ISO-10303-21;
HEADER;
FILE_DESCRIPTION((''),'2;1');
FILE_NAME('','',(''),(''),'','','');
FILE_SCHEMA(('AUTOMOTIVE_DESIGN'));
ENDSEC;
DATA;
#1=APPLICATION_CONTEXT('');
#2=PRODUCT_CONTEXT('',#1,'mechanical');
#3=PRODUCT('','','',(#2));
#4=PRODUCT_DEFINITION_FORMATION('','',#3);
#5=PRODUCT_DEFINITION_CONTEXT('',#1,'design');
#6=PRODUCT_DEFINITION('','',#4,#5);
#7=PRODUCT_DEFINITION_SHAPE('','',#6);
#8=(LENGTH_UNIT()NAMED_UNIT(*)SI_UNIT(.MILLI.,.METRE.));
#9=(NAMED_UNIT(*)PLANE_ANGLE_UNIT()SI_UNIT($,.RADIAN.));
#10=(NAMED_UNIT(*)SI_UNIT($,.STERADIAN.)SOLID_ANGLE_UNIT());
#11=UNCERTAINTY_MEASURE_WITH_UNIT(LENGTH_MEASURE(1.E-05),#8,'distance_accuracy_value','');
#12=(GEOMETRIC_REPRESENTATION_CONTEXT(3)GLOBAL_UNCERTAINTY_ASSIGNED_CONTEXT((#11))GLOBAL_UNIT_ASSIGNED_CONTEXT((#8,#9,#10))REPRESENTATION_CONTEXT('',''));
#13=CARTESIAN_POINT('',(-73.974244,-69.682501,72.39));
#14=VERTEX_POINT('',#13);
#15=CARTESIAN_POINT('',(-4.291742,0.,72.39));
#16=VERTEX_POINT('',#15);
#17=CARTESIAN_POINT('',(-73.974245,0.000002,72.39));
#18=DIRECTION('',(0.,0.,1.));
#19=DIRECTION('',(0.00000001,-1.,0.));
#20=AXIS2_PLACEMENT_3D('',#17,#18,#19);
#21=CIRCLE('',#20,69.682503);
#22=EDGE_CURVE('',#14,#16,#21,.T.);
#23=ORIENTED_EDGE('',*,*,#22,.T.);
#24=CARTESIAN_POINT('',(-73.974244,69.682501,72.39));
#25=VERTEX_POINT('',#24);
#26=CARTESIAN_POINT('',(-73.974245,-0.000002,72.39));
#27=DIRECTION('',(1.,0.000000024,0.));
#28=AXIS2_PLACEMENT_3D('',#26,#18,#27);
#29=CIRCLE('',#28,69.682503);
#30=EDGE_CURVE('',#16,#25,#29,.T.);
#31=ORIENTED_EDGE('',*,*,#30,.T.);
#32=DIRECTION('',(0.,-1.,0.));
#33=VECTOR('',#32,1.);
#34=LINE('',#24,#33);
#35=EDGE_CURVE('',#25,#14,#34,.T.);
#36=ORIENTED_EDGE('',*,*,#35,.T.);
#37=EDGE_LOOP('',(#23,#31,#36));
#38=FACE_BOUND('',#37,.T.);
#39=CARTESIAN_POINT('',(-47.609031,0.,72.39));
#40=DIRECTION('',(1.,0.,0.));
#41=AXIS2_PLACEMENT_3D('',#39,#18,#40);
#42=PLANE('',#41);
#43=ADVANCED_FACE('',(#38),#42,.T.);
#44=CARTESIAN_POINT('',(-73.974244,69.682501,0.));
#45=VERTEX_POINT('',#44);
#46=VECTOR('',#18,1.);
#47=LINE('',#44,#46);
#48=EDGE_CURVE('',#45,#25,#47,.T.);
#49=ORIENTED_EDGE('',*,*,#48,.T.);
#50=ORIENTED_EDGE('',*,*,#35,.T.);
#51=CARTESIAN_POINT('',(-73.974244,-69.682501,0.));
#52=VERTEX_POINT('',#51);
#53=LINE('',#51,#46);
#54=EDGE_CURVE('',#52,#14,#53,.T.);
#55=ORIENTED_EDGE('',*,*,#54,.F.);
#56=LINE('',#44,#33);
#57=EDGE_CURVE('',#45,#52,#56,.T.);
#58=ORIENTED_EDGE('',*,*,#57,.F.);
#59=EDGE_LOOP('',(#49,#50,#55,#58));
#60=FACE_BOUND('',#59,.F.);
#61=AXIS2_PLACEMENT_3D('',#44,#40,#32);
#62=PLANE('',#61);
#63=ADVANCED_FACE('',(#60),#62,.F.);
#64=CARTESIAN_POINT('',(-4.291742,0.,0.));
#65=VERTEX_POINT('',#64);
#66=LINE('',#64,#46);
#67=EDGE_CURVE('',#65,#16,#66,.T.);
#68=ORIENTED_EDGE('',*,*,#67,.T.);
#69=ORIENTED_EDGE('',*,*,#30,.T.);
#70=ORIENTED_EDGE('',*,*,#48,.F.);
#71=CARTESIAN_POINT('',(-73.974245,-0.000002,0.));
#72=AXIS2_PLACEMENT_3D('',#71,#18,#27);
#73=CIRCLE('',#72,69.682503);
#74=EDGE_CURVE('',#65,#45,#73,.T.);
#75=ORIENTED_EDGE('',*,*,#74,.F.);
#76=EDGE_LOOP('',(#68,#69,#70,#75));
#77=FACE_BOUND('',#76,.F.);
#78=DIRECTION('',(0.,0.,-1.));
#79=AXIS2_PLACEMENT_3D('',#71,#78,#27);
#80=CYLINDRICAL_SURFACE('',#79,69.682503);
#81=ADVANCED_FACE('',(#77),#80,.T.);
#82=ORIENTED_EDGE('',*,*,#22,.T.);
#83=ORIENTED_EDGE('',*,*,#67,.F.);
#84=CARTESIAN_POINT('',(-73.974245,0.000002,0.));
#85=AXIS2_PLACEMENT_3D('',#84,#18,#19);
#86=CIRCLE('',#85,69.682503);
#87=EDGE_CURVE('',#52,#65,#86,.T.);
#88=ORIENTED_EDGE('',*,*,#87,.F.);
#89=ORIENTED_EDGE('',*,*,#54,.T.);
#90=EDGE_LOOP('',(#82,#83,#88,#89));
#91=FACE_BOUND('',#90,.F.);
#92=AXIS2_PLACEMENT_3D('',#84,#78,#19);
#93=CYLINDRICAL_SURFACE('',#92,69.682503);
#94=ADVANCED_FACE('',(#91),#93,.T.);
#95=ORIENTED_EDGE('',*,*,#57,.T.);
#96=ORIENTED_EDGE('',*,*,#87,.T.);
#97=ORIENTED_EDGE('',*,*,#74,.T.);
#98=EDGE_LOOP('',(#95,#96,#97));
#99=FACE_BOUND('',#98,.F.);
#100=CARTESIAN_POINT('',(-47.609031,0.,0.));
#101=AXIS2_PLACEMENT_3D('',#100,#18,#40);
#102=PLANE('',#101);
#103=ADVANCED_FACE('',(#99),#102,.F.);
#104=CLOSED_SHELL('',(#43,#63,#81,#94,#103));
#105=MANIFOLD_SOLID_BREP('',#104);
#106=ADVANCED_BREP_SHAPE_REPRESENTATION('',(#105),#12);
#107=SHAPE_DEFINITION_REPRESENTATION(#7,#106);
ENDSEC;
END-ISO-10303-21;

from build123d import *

# Parameters (mm, degrees)
F1_DEPTH = 72.39


with BuildPart() as f1:
    # F0 (on Top) → F1 (new body)
    with BuildSketch(Plane.XY):
        with BuildLine():
            ThreePointArc((-4.291742, 0), (-24.701275, 49.272969), (-73.974244, 69.682501))
            Line((-73.974244, 69.682501), (-73.974244, -69.682501))
            ThreePointArc((-73.974244, -69.682501), (-24.701275, -49.272969), (-4.291742, 0))
        make_face()
    extrude(amount=F1_DEPTH)


solid = f1.part
